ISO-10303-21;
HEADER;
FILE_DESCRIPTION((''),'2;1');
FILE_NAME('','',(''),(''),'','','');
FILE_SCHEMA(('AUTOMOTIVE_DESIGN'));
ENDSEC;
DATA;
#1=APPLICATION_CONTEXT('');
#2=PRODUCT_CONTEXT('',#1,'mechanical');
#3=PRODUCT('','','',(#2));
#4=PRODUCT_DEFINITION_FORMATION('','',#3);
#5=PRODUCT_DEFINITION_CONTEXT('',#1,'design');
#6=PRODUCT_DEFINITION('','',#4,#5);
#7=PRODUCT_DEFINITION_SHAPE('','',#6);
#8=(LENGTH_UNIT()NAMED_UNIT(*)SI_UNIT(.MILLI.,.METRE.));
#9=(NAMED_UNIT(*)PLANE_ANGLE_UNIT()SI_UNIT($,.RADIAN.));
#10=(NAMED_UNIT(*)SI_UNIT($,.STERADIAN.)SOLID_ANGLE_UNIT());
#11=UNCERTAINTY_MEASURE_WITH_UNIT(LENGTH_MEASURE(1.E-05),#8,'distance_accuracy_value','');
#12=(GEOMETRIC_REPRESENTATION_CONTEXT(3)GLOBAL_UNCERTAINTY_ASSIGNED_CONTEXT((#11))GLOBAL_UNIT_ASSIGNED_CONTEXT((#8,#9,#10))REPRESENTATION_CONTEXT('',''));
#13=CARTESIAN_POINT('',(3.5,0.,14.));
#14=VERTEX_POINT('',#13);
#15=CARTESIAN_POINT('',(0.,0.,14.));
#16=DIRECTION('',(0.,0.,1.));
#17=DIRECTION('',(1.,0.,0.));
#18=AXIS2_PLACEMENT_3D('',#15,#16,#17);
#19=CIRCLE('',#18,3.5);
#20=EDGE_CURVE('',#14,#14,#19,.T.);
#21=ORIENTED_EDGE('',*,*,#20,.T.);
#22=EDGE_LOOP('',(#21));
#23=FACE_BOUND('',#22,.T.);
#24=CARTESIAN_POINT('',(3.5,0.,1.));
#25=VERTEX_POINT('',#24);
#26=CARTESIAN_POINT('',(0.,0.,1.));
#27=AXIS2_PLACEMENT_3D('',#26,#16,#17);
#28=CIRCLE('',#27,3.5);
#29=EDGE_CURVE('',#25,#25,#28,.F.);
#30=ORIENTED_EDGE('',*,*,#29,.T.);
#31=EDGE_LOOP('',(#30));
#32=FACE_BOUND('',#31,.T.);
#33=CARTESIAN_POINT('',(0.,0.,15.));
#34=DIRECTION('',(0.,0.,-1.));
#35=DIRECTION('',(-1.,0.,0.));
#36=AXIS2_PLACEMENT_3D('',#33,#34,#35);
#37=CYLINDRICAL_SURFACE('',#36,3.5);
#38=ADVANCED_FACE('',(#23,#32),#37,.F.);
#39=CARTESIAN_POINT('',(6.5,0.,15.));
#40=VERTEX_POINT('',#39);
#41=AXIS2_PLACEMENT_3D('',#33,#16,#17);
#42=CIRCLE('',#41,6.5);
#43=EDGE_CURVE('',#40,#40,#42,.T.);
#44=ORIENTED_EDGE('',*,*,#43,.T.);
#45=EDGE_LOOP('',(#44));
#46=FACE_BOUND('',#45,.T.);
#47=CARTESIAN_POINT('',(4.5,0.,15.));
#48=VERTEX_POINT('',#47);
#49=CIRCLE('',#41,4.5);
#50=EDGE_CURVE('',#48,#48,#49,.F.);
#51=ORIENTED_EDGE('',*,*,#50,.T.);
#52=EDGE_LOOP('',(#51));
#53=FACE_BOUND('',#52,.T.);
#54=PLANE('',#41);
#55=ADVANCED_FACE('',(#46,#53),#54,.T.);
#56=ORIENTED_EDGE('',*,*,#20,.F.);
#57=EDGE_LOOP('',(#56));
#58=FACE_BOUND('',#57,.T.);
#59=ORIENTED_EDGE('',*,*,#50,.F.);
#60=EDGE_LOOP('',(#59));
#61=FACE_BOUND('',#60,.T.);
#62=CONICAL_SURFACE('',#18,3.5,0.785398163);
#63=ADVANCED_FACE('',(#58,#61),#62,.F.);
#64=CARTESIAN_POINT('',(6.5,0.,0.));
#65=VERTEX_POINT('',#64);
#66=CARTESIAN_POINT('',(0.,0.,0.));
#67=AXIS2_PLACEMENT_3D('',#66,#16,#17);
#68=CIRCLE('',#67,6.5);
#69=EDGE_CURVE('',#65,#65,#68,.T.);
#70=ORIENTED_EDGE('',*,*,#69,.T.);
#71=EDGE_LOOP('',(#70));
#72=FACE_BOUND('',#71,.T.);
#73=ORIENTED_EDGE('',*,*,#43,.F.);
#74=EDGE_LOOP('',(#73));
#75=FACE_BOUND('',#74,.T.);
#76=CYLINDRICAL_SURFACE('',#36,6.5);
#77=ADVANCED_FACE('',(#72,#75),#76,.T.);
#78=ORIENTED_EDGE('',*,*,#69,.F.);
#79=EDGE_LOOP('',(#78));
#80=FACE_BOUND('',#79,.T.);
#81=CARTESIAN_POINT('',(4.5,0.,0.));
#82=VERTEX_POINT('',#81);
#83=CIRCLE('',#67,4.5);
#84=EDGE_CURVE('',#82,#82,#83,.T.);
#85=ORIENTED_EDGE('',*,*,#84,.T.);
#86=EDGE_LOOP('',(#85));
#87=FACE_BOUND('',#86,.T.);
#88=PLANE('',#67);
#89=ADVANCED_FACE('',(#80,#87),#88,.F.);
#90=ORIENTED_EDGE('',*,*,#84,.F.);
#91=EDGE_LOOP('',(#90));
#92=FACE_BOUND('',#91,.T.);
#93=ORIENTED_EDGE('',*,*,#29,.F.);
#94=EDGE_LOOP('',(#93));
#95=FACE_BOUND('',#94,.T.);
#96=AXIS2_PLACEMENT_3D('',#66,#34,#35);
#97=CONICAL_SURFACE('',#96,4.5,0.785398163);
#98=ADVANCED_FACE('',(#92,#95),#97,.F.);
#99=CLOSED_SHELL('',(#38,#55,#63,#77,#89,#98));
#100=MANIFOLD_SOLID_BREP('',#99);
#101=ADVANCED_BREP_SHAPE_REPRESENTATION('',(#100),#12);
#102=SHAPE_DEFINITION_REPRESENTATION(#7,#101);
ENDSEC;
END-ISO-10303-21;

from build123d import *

# Parameters (mm, degrees)
SKETCH2_R           = 6.5
SKETCH2_R_2         = 3.5
BOSS_EXTRUDE1_DEPTH = 15
CHAMFER1_SIZE       = 1


with BuildPart() as part:
    # Sketch2 → Boss-Extrude1 (new body)
    with BuildSketch(Plane.XY):
        Circle(SKETCH2_R)
        Circle(SKETCH2_R_2, mode=Mode.SUBTRACT)
    extrude(amount=BOSS_EXTRUDE1_DEPTH)

    # Chamfer1
    chamfer1_edges = [part.edges().sort_by_distance(p)[0] for p in [
        (-3.5, 0, 0),
        (-3.5, 0, 15),
    ]]
    chamfer(chamfer1_edges, length=CHAMFER1_SIZE)


solid = part.part
